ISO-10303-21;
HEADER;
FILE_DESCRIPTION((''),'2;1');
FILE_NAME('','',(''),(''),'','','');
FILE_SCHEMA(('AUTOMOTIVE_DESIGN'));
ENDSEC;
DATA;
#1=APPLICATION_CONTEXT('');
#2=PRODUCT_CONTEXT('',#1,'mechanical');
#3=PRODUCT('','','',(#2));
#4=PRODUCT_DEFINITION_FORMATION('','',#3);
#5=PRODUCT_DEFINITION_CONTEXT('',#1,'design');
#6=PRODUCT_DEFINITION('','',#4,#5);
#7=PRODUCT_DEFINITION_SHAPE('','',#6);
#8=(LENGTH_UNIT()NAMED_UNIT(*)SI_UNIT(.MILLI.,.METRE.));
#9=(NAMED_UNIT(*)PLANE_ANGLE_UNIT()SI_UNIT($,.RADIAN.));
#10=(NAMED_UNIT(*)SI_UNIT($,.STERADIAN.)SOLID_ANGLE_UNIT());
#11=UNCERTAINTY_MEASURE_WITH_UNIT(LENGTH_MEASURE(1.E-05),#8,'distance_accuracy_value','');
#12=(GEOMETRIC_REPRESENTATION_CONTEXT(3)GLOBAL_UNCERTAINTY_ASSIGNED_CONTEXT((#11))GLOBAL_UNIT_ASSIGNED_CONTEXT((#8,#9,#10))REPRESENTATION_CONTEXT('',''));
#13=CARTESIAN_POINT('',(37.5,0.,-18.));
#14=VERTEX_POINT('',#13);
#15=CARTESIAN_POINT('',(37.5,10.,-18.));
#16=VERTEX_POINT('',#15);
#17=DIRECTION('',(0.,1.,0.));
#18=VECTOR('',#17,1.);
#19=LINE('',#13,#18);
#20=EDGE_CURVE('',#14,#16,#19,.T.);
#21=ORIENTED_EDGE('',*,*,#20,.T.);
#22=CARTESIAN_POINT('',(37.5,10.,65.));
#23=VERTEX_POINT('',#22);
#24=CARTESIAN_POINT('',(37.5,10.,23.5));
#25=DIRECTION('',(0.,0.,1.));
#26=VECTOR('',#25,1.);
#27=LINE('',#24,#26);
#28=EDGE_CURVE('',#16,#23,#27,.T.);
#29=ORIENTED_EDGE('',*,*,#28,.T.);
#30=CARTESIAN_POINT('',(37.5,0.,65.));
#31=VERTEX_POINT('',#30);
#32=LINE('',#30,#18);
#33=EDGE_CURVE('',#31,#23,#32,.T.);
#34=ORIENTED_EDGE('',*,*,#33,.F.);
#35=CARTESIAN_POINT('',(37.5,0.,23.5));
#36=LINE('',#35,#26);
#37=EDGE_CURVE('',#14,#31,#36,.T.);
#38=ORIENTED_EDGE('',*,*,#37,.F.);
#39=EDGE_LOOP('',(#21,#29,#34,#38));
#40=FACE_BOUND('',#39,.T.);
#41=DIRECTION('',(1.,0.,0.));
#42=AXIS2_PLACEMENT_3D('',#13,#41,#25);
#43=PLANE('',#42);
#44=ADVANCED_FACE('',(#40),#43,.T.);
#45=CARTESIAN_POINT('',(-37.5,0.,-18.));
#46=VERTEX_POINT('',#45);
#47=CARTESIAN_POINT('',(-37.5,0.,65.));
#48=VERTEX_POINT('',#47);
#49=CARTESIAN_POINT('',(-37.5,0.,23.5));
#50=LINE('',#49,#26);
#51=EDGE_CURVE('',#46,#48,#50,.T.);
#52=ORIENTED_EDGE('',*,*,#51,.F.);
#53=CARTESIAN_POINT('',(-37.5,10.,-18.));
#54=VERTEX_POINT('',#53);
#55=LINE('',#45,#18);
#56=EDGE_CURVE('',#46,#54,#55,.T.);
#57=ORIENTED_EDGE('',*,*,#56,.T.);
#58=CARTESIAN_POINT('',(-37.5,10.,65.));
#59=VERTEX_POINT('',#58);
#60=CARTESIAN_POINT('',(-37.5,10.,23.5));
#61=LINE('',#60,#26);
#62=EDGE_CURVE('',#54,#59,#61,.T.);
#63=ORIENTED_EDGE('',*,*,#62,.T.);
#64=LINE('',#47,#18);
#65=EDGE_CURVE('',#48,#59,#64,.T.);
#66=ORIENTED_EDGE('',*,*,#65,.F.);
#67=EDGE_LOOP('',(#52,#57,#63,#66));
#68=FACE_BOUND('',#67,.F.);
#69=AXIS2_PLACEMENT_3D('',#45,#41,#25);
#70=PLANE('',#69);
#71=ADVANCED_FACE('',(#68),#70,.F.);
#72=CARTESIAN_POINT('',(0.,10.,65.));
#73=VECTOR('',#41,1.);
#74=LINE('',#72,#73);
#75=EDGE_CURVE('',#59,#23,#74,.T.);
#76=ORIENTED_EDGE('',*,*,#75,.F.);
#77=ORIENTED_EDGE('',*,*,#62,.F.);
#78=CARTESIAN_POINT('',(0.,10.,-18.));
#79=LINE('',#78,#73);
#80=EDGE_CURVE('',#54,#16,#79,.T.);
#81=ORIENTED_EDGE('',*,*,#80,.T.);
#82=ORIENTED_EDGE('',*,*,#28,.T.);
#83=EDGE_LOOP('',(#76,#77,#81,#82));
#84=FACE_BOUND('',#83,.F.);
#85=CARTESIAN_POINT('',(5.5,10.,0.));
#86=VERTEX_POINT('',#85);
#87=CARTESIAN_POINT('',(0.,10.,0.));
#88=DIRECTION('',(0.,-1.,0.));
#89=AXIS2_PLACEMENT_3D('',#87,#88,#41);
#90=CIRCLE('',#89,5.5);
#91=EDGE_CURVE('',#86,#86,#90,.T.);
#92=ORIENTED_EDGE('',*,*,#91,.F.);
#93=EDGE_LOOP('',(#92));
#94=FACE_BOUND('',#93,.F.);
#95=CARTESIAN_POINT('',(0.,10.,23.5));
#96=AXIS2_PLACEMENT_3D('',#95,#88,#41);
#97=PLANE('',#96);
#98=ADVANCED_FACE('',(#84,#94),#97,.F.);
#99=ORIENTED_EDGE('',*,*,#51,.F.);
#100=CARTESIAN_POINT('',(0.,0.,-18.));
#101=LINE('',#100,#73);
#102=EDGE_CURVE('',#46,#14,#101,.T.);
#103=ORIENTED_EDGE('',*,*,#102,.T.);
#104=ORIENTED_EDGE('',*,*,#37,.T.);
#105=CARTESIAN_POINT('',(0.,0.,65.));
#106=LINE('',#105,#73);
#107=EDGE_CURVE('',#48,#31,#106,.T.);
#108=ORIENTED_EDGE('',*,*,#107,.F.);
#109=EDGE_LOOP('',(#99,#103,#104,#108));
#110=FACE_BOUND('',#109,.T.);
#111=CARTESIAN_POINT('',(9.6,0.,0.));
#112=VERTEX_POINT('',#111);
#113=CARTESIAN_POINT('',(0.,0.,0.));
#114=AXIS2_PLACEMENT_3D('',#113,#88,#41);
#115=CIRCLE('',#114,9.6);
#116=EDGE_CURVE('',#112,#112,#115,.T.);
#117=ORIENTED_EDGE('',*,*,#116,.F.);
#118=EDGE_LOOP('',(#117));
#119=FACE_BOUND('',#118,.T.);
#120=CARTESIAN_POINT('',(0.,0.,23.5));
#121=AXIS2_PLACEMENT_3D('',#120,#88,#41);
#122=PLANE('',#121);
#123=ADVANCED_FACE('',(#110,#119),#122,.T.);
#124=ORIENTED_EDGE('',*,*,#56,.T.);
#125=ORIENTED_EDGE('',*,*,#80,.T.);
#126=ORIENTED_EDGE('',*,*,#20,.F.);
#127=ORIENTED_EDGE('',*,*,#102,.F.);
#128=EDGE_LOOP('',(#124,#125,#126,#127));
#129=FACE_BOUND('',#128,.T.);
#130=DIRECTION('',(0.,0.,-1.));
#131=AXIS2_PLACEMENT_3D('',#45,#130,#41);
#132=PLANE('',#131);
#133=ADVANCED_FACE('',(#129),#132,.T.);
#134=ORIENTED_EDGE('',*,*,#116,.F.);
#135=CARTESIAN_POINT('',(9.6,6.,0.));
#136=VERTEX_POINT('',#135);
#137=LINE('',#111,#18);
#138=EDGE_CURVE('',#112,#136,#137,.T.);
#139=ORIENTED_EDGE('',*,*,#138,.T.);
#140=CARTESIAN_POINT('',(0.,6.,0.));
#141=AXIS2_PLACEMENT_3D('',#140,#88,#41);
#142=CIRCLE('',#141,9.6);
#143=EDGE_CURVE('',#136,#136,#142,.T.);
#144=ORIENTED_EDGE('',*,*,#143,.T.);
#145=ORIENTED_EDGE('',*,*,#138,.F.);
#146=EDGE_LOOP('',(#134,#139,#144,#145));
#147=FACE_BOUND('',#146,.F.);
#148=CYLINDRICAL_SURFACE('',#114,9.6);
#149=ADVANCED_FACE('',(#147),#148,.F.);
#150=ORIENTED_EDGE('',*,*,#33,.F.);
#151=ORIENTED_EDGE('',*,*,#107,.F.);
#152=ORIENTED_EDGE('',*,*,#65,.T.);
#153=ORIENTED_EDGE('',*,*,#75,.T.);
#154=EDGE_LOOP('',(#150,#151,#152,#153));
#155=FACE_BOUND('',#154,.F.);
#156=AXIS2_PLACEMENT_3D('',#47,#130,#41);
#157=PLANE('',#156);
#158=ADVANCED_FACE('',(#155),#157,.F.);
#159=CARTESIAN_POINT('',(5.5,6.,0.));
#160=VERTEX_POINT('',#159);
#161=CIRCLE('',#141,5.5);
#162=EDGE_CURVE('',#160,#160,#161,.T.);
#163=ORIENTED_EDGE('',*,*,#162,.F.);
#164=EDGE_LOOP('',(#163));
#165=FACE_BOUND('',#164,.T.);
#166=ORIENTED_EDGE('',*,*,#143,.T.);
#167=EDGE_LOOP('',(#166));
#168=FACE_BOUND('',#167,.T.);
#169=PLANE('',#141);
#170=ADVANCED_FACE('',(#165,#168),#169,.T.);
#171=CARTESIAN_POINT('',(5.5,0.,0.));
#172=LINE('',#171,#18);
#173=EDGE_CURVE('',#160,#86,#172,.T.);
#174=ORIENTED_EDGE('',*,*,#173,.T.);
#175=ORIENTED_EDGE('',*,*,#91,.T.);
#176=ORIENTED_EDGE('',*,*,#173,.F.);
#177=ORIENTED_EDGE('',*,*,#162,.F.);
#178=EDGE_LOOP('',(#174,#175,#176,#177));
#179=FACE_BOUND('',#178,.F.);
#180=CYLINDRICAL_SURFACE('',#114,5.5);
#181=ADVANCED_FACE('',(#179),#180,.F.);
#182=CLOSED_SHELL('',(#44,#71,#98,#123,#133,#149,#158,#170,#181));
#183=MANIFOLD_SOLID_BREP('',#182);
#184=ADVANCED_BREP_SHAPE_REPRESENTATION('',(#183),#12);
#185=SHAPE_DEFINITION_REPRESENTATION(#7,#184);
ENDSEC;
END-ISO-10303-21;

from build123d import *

# Parameters (mm, degrees)
SKETCH001_AS_DRAWN_R                 = 9.6
EXTRUDE001_DEPTH                     = 6
EXTRUDE001_ONTO_SKETCH001_ROLL_ANGLE = 90
SKETCH_AS_DRAWN_W                    = 75
SKETCH_AS_DRAWN_H                    = 83
SKETCH_AS_DRAWN_R                    = 5.5
EXTRUDE_DEPTH                        = 10
EXTRUDE_ONTO_SKETCH_ROLL_ANGLE       = 90


with BuildPart() as pocheroulemente:
    # Sketch001 as drawn → Extrude001 (new)
    with BuildSketch(Plane.XY):
        Circle(SKETCH001_AS_DRAWN_R)
    extrude(amount=-EXTRUDE001_DEPTH)


with BuildPart() as pocheroulemente_1:
    # Extrude001 onto Sketch001 roll: moved
    add(pocheroulemente.part.rotate(Axis((0, 0, 0), (1, 0, 0)), EXTRUDE001_ONTO_SKETCH001_ROLL_ANGLE))


with BuildPart() as pocheroulemente_2:
    # Extrude001 onto Sketch001 placement: moved
    add(pocheroulemente_1.part)


with BuildPart() as supportmoteure:
    # Sketch as drawn → Extrude (new)
    with BuildSketch(Plane.XY):
        with Locations((0, 23.5)):
            Rectangle(SKETCH_AS_DRAWN_W, SKETCH_AS_DRAWN_H)
        Circle(SKETCH_AS_DRAWN_R, mode=Mode.SUBTRACT)
    extrude(amount=-EXTRUDE_DEPTH)


with BuildPart() as supportmoteure_1:
    # Extrude onto Sketch roll: moved
    add(supportmoteure.part.rotate(Axis((0, 0, 0), (1, 0, 0)), EXTRUDE_ONTO_SKETCH_ROLL_ANGLE))


with BuildPart() as supportmoteure_2:
    # Extrude onto Sketch placement: moved
    add(supportmoteure_1.part)

    # Cut: cut pocheRoulementE
    add(pocheroulemente_2.part, mode=Mode.SUBTRACT)


solid = supportmoteure_2.part
